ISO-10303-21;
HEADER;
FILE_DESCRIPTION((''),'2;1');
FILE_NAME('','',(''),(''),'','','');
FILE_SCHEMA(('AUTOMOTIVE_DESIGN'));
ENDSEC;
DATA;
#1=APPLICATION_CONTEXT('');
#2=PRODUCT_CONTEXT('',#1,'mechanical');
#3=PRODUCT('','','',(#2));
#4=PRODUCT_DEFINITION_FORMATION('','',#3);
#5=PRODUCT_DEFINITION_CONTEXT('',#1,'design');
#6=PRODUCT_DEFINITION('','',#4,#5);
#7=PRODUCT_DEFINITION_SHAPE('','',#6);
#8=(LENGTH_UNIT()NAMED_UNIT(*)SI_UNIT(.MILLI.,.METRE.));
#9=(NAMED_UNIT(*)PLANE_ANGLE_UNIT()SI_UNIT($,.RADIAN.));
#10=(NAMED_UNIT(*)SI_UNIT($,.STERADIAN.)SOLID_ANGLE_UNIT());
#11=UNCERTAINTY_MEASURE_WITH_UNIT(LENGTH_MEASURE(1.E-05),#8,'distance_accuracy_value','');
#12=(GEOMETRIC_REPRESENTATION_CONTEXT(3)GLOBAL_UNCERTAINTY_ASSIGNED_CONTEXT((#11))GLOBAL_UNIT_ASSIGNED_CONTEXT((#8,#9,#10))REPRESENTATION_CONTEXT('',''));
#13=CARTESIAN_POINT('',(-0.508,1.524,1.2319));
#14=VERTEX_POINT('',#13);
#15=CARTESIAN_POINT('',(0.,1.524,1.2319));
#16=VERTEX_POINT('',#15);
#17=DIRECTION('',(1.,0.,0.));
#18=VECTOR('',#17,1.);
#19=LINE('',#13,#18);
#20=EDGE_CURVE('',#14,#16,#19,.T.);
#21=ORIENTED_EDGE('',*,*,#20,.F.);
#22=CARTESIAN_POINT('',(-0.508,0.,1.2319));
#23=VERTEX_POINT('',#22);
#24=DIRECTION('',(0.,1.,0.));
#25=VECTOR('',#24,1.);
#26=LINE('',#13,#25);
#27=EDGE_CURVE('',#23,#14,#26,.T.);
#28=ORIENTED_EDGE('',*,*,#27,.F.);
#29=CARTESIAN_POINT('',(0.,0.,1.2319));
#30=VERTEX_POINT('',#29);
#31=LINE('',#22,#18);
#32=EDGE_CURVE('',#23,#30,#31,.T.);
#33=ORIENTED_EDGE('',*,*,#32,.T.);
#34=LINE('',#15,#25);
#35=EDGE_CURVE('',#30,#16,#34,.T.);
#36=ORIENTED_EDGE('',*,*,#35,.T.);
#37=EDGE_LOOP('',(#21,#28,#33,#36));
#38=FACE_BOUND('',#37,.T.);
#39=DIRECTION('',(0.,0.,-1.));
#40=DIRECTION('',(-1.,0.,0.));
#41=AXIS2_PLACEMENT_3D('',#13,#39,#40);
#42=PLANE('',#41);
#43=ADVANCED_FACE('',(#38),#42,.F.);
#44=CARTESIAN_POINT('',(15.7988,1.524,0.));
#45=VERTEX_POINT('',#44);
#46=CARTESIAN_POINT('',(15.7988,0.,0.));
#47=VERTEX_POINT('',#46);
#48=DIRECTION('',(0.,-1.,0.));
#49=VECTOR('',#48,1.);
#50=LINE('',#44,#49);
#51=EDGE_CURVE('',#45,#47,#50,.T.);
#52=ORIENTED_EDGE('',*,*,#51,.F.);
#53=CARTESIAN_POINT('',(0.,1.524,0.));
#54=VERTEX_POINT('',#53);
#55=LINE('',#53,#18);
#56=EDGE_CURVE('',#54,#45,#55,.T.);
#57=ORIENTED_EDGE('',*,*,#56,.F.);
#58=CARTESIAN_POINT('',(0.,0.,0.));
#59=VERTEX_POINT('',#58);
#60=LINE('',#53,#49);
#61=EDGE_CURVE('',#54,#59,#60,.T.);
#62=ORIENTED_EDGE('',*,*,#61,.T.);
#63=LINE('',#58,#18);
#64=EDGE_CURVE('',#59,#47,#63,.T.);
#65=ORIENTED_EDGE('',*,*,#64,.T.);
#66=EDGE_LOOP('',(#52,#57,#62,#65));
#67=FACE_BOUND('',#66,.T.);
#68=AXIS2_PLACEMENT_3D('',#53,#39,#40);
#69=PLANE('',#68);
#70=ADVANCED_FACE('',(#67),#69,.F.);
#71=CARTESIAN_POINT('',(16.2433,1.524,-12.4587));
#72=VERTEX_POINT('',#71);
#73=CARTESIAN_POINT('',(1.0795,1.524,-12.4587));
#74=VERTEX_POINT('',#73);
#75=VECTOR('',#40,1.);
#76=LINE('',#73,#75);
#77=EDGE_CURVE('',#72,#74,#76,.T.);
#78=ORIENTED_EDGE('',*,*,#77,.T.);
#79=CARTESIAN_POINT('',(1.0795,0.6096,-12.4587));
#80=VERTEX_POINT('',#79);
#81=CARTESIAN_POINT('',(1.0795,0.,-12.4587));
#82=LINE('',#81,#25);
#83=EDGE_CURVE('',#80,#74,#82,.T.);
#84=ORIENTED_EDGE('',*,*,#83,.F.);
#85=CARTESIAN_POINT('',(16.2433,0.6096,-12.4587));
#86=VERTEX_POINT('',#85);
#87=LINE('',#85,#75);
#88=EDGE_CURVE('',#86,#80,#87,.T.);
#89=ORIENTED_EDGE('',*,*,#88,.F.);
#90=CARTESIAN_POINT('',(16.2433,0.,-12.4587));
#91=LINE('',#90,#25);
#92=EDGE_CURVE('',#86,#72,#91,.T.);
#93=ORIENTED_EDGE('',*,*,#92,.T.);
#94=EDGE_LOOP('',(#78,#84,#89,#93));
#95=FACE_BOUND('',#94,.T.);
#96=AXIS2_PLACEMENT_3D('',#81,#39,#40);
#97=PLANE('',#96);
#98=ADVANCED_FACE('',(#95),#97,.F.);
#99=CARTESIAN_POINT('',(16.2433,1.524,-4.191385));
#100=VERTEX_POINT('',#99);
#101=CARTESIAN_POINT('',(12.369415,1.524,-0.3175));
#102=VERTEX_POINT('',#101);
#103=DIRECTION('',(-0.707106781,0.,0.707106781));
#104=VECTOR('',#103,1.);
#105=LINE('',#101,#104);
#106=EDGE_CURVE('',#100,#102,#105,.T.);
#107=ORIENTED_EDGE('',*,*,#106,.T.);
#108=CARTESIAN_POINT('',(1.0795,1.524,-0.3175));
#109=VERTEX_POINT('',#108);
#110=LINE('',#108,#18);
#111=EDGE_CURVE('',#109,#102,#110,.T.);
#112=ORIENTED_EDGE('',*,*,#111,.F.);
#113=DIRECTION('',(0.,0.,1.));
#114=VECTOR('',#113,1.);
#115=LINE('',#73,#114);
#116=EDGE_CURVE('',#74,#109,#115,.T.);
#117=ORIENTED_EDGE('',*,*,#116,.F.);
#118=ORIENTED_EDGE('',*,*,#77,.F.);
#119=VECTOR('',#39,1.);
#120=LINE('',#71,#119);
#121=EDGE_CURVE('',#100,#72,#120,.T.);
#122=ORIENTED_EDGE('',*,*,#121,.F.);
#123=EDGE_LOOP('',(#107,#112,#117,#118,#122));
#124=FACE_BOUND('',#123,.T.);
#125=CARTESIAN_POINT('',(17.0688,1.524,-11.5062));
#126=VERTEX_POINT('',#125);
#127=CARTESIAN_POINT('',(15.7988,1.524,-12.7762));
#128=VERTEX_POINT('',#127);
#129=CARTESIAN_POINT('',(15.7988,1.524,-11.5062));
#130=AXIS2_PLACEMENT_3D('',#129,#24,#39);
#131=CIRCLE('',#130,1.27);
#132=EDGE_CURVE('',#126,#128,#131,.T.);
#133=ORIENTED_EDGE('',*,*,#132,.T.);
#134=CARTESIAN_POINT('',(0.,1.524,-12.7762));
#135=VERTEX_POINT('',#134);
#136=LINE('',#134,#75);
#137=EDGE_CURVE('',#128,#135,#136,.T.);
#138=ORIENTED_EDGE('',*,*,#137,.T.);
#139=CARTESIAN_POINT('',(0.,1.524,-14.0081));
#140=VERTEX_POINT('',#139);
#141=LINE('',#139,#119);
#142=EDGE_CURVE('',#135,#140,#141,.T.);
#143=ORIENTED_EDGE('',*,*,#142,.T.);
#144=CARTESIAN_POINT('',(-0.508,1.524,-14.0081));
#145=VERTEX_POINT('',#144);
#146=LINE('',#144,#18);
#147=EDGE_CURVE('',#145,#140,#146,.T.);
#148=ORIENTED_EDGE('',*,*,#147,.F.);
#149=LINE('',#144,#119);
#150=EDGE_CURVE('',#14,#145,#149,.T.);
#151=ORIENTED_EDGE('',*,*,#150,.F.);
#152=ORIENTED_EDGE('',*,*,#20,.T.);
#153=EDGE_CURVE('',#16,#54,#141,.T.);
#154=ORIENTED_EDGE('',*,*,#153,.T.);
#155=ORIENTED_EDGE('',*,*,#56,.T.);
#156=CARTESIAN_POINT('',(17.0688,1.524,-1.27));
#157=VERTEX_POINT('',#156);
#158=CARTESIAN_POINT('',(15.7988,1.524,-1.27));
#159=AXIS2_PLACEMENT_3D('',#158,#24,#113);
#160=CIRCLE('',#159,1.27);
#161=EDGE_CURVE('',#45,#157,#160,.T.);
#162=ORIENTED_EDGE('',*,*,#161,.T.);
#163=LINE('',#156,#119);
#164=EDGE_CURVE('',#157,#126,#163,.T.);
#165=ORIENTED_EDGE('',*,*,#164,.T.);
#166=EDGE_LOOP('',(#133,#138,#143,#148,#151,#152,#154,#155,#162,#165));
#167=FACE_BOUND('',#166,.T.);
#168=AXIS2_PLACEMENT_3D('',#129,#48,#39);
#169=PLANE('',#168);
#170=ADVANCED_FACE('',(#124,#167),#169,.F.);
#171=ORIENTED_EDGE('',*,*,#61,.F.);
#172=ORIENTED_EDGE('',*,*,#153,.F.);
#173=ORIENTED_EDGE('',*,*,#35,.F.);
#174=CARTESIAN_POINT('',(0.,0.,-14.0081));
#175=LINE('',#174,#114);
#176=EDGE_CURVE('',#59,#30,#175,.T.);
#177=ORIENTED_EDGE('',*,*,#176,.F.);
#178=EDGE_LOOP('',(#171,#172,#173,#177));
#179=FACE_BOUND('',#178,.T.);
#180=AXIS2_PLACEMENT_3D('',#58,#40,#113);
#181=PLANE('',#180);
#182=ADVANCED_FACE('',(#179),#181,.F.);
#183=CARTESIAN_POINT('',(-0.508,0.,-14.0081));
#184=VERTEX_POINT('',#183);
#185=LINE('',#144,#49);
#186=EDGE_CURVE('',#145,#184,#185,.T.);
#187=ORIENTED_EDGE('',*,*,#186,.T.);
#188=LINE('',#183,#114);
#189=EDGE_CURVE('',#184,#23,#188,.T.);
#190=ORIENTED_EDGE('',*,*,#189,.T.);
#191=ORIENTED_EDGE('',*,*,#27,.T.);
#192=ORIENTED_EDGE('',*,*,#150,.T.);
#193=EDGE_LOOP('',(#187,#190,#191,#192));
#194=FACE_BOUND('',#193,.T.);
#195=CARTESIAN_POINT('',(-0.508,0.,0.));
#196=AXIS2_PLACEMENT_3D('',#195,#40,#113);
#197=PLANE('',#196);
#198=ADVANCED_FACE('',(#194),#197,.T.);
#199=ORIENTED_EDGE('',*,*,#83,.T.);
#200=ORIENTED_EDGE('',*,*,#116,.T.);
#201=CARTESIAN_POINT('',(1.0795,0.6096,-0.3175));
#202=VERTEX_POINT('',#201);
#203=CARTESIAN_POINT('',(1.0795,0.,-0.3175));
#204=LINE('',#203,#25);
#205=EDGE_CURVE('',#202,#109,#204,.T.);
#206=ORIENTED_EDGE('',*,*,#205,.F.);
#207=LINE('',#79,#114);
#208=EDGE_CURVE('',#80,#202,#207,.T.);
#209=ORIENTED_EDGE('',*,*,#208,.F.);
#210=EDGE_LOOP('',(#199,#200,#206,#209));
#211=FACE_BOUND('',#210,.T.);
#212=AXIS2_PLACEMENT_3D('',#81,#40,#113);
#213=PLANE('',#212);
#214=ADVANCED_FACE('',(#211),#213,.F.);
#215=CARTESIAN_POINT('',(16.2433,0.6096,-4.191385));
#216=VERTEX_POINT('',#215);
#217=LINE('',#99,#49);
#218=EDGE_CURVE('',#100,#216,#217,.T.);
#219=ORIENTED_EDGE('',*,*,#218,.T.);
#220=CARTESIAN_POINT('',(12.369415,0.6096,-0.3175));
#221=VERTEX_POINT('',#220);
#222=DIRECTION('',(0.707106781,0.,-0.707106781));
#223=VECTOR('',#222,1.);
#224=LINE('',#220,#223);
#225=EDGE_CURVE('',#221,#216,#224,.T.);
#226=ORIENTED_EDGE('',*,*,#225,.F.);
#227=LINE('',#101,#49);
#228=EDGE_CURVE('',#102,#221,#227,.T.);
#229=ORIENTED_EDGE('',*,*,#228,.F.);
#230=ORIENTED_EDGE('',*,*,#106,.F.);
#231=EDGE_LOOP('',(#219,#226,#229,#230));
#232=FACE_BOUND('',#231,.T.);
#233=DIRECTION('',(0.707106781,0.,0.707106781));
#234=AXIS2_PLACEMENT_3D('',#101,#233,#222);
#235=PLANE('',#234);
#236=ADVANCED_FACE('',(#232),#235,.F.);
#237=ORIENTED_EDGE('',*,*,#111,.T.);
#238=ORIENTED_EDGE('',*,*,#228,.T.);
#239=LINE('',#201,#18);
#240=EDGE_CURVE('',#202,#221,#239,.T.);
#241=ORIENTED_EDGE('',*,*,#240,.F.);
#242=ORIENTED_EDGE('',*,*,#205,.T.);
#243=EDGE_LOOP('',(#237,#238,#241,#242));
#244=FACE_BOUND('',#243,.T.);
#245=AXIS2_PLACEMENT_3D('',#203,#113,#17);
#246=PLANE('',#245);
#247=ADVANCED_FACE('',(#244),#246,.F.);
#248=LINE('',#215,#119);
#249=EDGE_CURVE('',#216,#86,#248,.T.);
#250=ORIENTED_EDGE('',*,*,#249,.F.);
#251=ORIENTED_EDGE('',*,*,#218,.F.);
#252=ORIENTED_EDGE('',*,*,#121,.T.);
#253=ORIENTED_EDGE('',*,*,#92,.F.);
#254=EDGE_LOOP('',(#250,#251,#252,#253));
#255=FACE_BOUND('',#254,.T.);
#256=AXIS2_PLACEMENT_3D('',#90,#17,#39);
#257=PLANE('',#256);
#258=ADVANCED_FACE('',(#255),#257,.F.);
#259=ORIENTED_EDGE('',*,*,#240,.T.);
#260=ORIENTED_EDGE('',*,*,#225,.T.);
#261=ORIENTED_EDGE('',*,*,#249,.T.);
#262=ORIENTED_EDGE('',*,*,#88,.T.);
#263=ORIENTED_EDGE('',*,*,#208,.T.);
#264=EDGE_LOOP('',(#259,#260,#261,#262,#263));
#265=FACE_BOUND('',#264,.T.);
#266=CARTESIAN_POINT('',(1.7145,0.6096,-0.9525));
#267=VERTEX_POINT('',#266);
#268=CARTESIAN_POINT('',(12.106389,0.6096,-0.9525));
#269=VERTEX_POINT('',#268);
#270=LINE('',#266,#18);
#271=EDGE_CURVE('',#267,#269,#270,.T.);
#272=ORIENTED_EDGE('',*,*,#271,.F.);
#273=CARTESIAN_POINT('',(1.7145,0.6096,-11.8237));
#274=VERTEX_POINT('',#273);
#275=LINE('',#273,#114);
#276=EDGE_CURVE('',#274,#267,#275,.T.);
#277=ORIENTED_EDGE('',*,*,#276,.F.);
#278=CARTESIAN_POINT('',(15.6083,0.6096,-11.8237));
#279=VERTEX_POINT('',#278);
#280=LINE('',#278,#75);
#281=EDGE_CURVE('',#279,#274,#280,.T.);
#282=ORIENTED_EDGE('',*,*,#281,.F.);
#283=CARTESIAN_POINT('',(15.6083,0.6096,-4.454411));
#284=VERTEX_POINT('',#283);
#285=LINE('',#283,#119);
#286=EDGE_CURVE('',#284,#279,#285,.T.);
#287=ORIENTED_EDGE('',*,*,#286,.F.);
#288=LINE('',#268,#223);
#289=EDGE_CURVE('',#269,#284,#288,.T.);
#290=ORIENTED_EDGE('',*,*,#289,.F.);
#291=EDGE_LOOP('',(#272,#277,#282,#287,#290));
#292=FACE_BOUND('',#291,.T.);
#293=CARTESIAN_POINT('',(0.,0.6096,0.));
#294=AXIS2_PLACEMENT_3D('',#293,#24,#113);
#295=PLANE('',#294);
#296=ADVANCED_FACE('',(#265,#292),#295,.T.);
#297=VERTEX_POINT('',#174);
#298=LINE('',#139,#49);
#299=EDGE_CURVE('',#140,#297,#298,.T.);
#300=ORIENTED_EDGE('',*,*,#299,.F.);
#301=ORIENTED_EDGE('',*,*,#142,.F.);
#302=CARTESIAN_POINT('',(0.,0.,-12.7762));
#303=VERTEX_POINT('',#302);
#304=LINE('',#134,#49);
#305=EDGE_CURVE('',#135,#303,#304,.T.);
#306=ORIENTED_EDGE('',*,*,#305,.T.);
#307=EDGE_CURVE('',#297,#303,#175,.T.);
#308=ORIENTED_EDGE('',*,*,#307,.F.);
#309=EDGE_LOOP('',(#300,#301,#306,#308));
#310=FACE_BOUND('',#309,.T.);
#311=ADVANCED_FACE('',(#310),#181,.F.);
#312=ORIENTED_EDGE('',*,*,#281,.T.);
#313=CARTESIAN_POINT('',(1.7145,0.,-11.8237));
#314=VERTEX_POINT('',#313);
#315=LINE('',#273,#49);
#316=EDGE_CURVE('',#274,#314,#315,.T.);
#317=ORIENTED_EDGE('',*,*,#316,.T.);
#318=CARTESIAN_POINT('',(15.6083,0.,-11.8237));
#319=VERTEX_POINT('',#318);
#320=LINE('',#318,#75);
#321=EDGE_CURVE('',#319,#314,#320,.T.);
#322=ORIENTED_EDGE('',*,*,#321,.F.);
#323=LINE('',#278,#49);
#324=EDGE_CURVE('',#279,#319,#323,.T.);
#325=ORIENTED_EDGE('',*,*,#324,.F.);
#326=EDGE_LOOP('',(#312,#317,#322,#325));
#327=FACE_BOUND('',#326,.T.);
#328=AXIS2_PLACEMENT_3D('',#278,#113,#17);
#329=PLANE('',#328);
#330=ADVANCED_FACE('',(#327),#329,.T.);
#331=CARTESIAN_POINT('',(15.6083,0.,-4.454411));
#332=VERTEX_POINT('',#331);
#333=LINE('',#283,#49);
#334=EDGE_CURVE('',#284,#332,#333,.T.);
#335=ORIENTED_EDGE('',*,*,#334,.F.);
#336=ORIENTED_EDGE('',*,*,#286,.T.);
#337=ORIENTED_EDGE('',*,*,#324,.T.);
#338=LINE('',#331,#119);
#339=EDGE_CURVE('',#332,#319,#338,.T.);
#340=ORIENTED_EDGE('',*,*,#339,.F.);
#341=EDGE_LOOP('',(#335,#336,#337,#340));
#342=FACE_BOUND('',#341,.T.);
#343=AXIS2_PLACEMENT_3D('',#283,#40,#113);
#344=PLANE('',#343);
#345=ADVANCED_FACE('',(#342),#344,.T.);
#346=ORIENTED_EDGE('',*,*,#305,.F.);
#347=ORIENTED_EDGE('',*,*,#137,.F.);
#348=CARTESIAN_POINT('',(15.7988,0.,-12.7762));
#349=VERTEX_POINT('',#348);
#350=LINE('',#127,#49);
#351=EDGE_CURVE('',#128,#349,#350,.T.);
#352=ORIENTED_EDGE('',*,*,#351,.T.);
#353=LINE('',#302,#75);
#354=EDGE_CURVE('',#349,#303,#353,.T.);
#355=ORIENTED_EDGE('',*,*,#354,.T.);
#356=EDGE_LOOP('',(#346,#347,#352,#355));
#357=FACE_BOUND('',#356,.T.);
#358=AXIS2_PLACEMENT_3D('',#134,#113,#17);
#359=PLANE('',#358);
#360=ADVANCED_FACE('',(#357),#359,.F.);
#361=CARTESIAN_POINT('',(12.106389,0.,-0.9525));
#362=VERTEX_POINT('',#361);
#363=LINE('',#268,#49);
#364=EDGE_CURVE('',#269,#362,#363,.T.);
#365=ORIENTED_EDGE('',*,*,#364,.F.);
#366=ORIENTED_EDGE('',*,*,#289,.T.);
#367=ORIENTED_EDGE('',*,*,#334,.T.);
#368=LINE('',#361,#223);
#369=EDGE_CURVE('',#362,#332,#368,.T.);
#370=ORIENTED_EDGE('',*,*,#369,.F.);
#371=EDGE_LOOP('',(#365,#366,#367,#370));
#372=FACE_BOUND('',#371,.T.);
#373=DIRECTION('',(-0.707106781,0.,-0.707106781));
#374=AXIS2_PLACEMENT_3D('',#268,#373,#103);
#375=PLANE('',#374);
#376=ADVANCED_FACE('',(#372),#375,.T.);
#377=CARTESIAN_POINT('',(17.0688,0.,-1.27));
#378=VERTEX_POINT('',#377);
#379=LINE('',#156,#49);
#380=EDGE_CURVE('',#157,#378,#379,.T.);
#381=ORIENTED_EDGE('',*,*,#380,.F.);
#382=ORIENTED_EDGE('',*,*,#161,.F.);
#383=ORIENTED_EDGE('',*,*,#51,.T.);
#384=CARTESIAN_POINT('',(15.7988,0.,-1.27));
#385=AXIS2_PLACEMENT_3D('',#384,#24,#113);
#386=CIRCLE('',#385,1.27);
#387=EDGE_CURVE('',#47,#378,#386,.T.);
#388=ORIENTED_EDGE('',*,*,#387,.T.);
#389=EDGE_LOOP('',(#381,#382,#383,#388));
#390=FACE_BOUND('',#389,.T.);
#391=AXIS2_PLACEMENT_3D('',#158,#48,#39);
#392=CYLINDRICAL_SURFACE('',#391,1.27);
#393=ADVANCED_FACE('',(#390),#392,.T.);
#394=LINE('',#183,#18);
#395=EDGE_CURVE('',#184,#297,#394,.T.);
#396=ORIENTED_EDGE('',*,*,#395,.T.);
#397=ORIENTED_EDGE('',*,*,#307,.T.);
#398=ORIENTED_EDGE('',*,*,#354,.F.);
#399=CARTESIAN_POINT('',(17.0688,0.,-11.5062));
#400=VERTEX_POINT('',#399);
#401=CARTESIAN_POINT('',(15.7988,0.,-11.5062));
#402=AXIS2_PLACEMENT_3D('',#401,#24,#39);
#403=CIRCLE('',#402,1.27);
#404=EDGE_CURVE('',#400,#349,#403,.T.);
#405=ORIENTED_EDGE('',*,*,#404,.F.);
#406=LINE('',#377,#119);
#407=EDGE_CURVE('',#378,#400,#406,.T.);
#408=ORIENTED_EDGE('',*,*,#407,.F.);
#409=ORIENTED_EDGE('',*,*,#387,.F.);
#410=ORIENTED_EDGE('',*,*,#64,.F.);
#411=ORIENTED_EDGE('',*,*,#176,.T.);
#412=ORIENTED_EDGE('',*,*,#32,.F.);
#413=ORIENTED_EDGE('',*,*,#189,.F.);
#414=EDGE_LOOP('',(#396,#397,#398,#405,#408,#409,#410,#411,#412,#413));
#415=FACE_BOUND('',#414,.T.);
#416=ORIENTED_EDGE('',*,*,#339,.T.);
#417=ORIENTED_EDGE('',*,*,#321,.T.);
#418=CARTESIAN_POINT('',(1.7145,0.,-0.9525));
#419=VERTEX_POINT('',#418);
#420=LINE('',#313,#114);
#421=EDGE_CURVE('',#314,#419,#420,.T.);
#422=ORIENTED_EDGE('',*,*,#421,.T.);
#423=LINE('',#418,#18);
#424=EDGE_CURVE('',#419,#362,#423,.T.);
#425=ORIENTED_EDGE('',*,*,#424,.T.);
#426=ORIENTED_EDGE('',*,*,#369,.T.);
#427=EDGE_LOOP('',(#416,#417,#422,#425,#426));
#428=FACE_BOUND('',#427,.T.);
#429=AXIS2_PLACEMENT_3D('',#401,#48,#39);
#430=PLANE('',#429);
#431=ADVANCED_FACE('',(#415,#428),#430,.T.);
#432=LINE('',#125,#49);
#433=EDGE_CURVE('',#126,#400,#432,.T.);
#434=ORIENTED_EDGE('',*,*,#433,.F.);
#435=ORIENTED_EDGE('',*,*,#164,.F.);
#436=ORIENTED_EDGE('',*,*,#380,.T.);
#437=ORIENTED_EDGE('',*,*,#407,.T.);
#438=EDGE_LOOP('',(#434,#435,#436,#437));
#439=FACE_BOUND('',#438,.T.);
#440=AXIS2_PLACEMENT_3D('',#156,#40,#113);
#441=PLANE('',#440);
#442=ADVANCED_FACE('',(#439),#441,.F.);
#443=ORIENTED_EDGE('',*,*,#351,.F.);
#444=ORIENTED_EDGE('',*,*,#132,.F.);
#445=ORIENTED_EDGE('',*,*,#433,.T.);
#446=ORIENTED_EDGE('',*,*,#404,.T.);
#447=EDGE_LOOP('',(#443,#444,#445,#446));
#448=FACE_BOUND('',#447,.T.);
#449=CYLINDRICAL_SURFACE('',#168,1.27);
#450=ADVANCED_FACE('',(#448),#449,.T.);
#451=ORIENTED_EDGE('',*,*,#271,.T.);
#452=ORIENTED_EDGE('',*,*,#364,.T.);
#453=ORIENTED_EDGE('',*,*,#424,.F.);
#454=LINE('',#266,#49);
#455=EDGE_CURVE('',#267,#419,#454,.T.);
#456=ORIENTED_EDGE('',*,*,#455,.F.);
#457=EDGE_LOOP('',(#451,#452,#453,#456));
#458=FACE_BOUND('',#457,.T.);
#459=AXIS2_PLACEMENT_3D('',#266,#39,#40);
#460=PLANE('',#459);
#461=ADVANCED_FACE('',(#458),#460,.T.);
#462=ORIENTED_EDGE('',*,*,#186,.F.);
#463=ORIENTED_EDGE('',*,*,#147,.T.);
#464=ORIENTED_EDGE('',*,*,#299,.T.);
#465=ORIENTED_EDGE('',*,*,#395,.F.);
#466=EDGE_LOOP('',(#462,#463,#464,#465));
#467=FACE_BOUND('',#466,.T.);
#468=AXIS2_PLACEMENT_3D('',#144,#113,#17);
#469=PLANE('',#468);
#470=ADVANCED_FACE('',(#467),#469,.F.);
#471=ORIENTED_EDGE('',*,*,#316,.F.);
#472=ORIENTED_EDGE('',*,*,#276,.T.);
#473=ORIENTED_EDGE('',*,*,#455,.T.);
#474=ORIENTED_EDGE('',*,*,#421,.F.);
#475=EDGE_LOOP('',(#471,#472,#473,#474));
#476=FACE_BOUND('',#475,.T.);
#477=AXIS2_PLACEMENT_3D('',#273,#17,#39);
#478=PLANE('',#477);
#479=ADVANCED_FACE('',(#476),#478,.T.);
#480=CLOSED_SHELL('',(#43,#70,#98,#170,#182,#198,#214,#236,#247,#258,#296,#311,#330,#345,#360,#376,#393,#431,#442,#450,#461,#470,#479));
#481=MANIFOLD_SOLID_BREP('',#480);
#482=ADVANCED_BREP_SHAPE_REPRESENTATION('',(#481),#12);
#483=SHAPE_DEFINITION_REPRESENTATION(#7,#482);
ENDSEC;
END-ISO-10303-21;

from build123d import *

# Parameters (mm, degrees)
BOSS_EXTRUDE1_DEPTH = 1.524
SKETCH2_W           = 15.1638
SKETCH2_H           = 12.1412
CUT_EXTRUDE1_DEPTH  = 22.375167739
BOSS_EXTRUDE2_DEPTH = 1.524
BOSS_EXTRUDE3_DEPTH = 0.6096
SKETCH7_W           = 15.24
SKETCH7_H           = 1.524
BOSS_EXTRUDE4_DEPTH = 0.508


with BuildPart() as part:
    # Sketch1 → Boss-Extrude1 (new body)
    with BuildSketch(Plane(origin=(0, 0, 0), x_dir=(1, 0, 0), z_dir=(0, 1, 0))):
        with BuildLine():
            Line((0, 0), (15.7988, 0))
            ThreePointArc((15.7988, 0), (16.696825612, 0.371974388), (17.0688, 1.27))
            Line((17.0688, 1.27), (17.0688, 11.5062))
            ThreePointArc((17.0688, 11.5062), (16.696825612, 12.404225612), (15.7988, 12.7762))
            Line((15.7988, 12.7762), (0, 12.7762))
            Line((0, 12.7762), (0, 0))
        make_face()
    extrude(amount=BOSS_EXTRUDE1_DEPTH)

    # Sketch2 → Cut-Extrude1 (cut, through all)
    with BuildSketch(Plane(origin=(0, 1.524, 0), x_dir=(1, 0, 0), z_dir=(0, 1, 0))):
        with Locations((8.6614, 6.3881)):
            Rectangle(SKETCH2_W, SKETCH2_H)
    extrude(amount=-CUT_EXTRUDE1_DEPTH, mode=Mode.SUBTRACT)

    # Sketch3 → Boss-Extrude2 (add)
    with BuildSketch(Plane(origin=(0, 0, 0), x_dir=(1, 0, 0), z_dir=(0, 1, 0))):
        Polygon((12.369415055, 0.3175), (16.2433, 4.191384945), (16.2433, 0.3175), align=None)
    extrude(amount=BOSS_EXTRUDE2_DEPTH)

    # Sketch5 → Boss-Extrude3 (add)
    with BuildSketch(Plane(origin=(0, 0, 0), x_dir=(1, 0, 0), z_dir=(0, 1, 0))):
        Polygon((1.0795, 0.3175), (12.369415055, 0.3175), (16.2433, 4.191384945), (16.2433, 12.4587), (1.0795, 12.4587), align=None)
        Polygon((1.7145, 11.8237), (1.7145, 0.9525), (12.106389443, 0.9525), (15.6083, 4.454410557), (15.6083, 11.8237), align=None, mode=Mode.SUBTRACT)
    extrude(amount=BOSS_EXTRUDE3_DEPTH)

    # Sketch7 → Boss-Extrude4 (add)
    with BuildSketch(Plane.ZY):
        with Locations((-6.3881, 0.762)):
            Rectangle(SKETCH7_W, SKETCH7_H)
    extrude(amount=BOSS_EXTRUDE4_DEPTH)


solid = part.part
